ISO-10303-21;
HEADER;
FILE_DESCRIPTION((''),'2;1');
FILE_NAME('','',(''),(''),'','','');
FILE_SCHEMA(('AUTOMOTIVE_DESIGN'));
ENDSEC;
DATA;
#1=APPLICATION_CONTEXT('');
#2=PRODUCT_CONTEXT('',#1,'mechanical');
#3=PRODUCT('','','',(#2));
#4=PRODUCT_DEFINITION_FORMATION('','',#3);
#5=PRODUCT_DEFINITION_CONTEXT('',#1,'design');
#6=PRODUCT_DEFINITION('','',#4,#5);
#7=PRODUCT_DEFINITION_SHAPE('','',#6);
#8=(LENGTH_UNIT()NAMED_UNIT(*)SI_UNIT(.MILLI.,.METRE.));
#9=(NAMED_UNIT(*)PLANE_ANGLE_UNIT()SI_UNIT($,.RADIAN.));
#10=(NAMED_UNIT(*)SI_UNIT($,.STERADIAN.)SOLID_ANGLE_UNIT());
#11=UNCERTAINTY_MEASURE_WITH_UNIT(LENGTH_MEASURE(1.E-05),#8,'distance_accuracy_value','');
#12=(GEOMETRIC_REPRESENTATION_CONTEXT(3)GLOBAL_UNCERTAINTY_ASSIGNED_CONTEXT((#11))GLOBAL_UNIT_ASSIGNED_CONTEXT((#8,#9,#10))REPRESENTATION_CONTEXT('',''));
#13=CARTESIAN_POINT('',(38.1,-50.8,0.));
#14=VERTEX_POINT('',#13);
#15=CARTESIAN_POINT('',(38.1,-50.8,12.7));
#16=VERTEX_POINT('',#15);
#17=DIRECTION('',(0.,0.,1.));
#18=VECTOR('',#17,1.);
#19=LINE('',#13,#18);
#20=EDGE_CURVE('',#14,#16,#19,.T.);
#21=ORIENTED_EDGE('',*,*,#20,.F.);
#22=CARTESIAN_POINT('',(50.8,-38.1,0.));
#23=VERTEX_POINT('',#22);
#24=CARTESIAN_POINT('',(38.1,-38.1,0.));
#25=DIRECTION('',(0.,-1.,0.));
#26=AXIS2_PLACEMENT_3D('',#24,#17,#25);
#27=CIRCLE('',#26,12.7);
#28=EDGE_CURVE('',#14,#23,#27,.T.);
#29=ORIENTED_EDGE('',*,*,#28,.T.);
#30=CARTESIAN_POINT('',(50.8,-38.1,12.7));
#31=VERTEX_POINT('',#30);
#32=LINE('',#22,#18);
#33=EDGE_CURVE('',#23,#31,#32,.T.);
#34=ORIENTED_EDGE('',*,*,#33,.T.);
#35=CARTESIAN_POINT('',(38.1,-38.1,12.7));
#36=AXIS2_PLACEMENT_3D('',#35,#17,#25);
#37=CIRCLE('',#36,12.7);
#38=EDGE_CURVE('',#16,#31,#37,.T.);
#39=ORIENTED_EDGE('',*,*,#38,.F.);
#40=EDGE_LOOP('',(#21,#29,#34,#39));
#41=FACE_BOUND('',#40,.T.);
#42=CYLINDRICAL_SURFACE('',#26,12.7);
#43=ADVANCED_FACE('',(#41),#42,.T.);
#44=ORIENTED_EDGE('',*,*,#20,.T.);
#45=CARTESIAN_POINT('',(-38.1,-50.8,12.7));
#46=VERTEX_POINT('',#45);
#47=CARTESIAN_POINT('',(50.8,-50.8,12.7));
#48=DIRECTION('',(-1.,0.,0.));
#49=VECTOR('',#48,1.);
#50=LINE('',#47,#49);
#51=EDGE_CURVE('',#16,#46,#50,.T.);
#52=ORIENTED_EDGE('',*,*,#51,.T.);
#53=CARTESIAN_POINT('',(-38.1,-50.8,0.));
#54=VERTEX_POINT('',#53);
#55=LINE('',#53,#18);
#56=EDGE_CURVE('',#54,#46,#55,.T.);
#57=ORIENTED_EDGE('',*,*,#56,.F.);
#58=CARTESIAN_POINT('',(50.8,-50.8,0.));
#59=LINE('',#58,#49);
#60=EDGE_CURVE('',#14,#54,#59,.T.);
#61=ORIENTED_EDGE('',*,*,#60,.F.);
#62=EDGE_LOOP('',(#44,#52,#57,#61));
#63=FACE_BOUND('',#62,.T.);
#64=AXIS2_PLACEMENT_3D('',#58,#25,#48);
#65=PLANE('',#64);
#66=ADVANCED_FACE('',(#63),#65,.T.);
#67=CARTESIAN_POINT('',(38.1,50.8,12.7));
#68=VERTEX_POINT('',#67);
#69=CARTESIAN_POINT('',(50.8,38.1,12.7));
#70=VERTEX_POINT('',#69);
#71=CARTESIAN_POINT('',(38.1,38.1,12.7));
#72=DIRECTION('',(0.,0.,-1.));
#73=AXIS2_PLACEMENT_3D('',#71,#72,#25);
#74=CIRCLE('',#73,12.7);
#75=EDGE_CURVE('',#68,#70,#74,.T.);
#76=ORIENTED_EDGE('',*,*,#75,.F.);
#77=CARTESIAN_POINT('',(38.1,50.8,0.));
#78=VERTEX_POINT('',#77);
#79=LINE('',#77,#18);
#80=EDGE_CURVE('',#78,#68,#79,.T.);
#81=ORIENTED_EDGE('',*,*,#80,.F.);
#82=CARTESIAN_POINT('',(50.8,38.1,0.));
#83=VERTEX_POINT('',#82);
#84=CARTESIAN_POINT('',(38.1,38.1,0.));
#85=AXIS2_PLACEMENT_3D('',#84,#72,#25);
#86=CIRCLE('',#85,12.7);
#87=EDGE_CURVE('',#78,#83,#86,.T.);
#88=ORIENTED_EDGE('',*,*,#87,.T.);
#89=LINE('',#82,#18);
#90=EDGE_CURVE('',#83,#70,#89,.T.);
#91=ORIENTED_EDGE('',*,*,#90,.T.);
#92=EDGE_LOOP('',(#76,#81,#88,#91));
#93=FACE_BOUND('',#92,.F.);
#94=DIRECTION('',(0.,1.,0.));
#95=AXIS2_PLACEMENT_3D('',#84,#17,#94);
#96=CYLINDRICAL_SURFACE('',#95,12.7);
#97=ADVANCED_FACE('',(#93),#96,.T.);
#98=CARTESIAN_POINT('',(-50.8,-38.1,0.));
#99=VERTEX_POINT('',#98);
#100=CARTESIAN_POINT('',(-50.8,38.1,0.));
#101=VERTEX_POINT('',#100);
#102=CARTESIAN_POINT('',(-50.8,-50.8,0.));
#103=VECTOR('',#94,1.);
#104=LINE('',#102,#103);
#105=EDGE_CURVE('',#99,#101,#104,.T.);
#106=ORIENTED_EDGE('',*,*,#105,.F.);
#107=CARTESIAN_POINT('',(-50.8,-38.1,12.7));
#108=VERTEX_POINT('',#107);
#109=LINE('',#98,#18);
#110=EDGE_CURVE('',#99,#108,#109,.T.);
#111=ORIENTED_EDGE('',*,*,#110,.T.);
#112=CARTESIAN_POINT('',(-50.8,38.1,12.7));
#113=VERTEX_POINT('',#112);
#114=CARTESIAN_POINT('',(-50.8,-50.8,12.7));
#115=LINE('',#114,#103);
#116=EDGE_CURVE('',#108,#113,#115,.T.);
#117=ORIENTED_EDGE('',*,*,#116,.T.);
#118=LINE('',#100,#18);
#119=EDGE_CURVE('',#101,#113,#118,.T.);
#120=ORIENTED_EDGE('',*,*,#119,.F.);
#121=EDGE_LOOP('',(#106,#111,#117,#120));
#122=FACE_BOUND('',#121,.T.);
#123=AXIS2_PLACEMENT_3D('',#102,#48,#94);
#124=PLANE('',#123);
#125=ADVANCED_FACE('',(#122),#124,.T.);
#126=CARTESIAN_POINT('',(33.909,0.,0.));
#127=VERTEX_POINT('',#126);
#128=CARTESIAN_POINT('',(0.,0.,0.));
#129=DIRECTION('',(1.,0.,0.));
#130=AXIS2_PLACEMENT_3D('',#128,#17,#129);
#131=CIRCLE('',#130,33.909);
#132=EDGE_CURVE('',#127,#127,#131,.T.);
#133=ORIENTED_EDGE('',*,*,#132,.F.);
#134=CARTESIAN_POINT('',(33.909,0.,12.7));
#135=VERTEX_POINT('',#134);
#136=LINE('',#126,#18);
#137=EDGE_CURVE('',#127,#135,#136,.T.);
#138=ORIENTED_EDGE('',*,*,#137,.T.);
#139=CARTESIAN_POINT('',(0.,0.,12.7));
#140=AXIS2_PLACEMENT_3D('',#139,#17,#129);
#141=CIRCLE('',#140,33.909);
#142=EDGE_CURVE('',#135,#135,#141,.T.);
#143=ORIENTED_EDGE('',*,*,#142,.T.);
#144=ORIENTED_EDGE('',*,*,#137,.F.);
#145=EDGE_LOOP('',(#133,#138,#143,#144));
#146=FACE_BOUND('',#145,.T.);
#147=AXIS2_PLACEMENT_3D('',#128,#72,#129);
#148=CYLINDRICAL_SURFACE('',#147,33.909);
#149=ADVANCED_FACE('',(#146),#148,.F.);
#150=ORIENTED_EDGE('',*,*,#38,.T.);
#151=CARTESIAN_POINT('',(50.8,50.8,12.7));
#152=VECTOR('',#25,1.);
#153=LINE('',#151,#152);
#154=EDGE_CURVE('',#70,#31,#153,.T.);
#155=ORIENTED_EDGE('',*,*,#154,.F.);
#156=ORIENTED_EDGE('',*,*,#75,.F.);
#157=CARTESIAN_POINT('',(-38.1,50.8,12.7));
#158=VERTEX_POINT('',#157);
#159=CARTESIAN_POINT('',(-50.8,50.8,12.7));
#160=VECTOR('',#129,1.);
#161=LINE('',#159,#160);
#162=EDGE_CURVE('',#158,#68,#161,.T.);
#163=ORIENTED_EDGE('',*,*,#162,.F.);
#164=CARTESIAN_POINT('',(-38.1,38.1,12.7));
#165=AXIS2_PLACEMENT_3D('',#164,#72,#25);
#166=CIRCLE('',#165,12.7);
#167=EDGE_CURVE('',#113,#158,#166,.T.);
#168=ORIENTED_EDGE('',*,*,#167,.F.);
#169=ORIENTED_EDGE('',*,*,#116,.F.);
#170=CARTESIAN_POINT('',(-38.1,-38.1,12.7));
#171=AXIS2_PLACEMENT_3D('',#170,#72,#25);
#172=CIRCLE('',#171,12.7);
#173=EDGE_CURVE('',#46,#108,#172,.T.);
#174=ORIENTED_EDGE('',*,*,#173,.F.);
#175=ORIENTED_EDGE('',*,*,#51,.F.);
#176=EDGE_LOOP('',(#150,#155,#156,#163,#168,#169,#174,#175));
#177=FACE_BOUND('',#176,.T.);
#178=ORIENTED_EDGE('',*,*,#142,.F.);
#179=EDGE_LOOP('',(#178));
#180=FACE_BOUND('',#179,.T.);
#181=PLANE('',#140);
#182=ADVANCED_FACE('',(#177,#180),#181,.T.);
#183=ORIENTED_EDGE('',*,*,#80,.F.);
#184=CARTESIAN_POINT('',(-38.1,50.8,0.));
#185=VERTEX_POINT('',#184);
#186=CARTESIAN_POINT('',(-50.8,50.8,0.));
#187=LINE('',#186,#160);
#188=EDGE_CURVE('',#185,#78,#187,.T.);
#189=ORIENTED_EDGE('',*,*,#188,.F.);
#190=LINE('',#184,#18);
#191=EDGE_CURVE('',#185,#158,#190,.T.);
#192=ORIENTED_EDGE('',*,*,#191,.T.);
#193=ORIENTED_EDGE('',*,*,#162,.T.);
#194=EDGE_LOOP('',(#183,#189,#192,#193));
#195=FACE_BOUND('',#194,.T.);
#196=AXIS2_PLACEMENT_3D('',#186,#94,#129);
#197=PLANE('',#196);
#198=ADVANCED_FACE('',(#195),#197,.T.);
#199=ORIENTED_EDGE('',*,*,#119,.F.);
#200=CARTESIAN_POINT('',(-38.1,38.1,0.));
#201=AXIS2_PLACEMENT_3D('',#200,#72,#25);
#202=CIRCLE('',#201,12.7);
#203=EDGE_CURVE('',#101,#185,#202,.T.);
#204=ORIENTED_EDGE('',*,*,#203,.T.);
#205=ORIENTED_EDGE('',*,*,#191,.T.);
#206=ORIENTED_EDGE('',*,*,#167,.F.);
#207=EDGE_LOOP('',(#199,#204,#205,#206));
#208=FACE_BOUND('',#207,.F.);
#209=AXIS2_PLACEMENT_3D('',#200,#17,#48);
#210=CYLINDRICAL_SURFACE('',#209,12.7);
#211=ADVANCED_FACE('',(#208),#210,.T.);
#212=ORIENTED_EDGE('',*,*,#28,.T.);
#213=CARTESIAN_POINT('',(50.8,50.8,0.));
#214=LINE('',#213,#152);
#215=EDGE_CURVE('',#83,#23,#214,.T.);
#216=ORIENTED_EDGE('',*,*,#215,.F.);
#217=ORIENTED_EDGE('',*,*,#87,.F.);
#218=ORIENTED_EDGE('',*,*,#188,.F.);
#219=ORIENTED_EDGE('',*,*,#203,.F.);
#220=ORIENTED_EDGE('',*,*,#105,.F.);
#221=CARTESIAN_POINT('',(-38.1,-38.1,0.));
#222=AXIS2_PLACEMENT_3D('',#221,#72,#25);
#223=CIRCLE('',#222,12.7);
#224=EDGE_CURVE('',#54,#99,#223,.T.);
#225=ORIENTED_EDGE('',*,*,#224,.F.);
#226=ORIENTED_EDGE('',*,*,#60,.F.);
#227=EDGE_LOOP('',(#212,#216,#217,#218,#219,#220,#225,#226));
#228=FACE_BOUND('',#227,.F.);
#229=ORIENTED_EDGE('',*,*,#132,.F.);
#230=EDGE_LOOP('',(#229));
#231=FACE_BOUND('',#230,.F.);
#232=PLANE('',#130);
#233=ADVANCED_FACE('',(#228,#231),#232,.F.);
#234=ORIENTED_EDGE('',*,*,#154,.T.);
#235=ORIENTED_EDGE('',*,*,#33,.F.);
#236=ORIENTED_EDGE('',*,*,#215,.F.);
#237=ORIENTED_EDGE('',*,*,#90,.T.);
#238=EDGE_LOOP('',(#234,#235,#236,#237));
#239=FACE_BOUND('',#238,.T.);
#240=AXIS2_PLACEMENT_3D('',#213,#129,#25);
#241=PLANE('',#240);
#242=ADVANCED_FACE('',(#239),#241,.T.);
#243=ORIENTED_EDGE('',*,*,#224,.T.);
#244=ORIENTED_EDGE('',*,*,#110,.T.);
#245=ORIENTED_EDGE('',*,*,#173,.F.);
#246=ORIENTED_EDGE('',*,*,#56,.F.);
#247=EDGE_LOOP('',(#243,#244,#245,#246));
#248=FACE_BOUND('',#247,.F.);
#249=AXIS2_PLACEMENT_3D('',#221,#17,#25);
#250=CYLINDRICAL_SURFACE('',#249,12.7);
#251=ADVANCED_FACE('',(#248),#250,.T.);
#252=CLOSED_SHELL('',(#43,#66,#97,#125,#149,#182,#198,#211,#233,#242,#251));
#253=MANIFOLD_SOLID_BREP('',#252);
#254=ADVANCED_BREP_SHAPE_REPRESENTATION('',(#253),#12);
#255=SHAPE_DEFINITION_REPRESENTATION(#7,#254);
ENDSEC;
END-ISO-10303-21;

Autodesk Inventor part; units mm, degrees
ref_plane "YZ Plane" through (0, 0, 0) normal (1, 0, 0) x (0, 1, 0)
ref_plane "XZ Plane" through (0, 0, 0) normal (0, 1, 0) x (-1, 0, 0)
ref_plane "XY Plane" through (0, 0, 0) normal (0, 0, 1) x (1, 0, 0)
sketch "Sketch1" plane through (0, 0, 0) normal (0, 0, 1) x (1, 0, 0)
  circle A0 centre (0, 0) radius 33.909
  line L0 (50.8, -50.8) -> (-50.8, -50.8)
  line L1 (-50.8, -50.8) -> (-50.8, 50.8)
  line L2 (-50.8, 50.8) -> (50.8, 50.8)
  line L3 (50.8, 50.8) -> (50.8, -50.8)
  line L4 (50.8, -50.8) -> (-50.8, 50.8) construction
  line L5 (-50.8, -50.8) -> (50.8, 50.8) construction
  dimension "d0" = 67.818
  dimension "d1" = 101.6
  dimension "d2" = 101.6
extrude "Extrusion1" add sketch "Sketch1" along normal blind 12.7
fillet "Fillet1" radius 12.7 4 edges at (50.8, 50.8, 6.35) (50.8, -50.8, 6.35) (-50.8, 50.8, 6.35) (-50.8, -50.8, 6.35)
properties part number "MotorBlock"
